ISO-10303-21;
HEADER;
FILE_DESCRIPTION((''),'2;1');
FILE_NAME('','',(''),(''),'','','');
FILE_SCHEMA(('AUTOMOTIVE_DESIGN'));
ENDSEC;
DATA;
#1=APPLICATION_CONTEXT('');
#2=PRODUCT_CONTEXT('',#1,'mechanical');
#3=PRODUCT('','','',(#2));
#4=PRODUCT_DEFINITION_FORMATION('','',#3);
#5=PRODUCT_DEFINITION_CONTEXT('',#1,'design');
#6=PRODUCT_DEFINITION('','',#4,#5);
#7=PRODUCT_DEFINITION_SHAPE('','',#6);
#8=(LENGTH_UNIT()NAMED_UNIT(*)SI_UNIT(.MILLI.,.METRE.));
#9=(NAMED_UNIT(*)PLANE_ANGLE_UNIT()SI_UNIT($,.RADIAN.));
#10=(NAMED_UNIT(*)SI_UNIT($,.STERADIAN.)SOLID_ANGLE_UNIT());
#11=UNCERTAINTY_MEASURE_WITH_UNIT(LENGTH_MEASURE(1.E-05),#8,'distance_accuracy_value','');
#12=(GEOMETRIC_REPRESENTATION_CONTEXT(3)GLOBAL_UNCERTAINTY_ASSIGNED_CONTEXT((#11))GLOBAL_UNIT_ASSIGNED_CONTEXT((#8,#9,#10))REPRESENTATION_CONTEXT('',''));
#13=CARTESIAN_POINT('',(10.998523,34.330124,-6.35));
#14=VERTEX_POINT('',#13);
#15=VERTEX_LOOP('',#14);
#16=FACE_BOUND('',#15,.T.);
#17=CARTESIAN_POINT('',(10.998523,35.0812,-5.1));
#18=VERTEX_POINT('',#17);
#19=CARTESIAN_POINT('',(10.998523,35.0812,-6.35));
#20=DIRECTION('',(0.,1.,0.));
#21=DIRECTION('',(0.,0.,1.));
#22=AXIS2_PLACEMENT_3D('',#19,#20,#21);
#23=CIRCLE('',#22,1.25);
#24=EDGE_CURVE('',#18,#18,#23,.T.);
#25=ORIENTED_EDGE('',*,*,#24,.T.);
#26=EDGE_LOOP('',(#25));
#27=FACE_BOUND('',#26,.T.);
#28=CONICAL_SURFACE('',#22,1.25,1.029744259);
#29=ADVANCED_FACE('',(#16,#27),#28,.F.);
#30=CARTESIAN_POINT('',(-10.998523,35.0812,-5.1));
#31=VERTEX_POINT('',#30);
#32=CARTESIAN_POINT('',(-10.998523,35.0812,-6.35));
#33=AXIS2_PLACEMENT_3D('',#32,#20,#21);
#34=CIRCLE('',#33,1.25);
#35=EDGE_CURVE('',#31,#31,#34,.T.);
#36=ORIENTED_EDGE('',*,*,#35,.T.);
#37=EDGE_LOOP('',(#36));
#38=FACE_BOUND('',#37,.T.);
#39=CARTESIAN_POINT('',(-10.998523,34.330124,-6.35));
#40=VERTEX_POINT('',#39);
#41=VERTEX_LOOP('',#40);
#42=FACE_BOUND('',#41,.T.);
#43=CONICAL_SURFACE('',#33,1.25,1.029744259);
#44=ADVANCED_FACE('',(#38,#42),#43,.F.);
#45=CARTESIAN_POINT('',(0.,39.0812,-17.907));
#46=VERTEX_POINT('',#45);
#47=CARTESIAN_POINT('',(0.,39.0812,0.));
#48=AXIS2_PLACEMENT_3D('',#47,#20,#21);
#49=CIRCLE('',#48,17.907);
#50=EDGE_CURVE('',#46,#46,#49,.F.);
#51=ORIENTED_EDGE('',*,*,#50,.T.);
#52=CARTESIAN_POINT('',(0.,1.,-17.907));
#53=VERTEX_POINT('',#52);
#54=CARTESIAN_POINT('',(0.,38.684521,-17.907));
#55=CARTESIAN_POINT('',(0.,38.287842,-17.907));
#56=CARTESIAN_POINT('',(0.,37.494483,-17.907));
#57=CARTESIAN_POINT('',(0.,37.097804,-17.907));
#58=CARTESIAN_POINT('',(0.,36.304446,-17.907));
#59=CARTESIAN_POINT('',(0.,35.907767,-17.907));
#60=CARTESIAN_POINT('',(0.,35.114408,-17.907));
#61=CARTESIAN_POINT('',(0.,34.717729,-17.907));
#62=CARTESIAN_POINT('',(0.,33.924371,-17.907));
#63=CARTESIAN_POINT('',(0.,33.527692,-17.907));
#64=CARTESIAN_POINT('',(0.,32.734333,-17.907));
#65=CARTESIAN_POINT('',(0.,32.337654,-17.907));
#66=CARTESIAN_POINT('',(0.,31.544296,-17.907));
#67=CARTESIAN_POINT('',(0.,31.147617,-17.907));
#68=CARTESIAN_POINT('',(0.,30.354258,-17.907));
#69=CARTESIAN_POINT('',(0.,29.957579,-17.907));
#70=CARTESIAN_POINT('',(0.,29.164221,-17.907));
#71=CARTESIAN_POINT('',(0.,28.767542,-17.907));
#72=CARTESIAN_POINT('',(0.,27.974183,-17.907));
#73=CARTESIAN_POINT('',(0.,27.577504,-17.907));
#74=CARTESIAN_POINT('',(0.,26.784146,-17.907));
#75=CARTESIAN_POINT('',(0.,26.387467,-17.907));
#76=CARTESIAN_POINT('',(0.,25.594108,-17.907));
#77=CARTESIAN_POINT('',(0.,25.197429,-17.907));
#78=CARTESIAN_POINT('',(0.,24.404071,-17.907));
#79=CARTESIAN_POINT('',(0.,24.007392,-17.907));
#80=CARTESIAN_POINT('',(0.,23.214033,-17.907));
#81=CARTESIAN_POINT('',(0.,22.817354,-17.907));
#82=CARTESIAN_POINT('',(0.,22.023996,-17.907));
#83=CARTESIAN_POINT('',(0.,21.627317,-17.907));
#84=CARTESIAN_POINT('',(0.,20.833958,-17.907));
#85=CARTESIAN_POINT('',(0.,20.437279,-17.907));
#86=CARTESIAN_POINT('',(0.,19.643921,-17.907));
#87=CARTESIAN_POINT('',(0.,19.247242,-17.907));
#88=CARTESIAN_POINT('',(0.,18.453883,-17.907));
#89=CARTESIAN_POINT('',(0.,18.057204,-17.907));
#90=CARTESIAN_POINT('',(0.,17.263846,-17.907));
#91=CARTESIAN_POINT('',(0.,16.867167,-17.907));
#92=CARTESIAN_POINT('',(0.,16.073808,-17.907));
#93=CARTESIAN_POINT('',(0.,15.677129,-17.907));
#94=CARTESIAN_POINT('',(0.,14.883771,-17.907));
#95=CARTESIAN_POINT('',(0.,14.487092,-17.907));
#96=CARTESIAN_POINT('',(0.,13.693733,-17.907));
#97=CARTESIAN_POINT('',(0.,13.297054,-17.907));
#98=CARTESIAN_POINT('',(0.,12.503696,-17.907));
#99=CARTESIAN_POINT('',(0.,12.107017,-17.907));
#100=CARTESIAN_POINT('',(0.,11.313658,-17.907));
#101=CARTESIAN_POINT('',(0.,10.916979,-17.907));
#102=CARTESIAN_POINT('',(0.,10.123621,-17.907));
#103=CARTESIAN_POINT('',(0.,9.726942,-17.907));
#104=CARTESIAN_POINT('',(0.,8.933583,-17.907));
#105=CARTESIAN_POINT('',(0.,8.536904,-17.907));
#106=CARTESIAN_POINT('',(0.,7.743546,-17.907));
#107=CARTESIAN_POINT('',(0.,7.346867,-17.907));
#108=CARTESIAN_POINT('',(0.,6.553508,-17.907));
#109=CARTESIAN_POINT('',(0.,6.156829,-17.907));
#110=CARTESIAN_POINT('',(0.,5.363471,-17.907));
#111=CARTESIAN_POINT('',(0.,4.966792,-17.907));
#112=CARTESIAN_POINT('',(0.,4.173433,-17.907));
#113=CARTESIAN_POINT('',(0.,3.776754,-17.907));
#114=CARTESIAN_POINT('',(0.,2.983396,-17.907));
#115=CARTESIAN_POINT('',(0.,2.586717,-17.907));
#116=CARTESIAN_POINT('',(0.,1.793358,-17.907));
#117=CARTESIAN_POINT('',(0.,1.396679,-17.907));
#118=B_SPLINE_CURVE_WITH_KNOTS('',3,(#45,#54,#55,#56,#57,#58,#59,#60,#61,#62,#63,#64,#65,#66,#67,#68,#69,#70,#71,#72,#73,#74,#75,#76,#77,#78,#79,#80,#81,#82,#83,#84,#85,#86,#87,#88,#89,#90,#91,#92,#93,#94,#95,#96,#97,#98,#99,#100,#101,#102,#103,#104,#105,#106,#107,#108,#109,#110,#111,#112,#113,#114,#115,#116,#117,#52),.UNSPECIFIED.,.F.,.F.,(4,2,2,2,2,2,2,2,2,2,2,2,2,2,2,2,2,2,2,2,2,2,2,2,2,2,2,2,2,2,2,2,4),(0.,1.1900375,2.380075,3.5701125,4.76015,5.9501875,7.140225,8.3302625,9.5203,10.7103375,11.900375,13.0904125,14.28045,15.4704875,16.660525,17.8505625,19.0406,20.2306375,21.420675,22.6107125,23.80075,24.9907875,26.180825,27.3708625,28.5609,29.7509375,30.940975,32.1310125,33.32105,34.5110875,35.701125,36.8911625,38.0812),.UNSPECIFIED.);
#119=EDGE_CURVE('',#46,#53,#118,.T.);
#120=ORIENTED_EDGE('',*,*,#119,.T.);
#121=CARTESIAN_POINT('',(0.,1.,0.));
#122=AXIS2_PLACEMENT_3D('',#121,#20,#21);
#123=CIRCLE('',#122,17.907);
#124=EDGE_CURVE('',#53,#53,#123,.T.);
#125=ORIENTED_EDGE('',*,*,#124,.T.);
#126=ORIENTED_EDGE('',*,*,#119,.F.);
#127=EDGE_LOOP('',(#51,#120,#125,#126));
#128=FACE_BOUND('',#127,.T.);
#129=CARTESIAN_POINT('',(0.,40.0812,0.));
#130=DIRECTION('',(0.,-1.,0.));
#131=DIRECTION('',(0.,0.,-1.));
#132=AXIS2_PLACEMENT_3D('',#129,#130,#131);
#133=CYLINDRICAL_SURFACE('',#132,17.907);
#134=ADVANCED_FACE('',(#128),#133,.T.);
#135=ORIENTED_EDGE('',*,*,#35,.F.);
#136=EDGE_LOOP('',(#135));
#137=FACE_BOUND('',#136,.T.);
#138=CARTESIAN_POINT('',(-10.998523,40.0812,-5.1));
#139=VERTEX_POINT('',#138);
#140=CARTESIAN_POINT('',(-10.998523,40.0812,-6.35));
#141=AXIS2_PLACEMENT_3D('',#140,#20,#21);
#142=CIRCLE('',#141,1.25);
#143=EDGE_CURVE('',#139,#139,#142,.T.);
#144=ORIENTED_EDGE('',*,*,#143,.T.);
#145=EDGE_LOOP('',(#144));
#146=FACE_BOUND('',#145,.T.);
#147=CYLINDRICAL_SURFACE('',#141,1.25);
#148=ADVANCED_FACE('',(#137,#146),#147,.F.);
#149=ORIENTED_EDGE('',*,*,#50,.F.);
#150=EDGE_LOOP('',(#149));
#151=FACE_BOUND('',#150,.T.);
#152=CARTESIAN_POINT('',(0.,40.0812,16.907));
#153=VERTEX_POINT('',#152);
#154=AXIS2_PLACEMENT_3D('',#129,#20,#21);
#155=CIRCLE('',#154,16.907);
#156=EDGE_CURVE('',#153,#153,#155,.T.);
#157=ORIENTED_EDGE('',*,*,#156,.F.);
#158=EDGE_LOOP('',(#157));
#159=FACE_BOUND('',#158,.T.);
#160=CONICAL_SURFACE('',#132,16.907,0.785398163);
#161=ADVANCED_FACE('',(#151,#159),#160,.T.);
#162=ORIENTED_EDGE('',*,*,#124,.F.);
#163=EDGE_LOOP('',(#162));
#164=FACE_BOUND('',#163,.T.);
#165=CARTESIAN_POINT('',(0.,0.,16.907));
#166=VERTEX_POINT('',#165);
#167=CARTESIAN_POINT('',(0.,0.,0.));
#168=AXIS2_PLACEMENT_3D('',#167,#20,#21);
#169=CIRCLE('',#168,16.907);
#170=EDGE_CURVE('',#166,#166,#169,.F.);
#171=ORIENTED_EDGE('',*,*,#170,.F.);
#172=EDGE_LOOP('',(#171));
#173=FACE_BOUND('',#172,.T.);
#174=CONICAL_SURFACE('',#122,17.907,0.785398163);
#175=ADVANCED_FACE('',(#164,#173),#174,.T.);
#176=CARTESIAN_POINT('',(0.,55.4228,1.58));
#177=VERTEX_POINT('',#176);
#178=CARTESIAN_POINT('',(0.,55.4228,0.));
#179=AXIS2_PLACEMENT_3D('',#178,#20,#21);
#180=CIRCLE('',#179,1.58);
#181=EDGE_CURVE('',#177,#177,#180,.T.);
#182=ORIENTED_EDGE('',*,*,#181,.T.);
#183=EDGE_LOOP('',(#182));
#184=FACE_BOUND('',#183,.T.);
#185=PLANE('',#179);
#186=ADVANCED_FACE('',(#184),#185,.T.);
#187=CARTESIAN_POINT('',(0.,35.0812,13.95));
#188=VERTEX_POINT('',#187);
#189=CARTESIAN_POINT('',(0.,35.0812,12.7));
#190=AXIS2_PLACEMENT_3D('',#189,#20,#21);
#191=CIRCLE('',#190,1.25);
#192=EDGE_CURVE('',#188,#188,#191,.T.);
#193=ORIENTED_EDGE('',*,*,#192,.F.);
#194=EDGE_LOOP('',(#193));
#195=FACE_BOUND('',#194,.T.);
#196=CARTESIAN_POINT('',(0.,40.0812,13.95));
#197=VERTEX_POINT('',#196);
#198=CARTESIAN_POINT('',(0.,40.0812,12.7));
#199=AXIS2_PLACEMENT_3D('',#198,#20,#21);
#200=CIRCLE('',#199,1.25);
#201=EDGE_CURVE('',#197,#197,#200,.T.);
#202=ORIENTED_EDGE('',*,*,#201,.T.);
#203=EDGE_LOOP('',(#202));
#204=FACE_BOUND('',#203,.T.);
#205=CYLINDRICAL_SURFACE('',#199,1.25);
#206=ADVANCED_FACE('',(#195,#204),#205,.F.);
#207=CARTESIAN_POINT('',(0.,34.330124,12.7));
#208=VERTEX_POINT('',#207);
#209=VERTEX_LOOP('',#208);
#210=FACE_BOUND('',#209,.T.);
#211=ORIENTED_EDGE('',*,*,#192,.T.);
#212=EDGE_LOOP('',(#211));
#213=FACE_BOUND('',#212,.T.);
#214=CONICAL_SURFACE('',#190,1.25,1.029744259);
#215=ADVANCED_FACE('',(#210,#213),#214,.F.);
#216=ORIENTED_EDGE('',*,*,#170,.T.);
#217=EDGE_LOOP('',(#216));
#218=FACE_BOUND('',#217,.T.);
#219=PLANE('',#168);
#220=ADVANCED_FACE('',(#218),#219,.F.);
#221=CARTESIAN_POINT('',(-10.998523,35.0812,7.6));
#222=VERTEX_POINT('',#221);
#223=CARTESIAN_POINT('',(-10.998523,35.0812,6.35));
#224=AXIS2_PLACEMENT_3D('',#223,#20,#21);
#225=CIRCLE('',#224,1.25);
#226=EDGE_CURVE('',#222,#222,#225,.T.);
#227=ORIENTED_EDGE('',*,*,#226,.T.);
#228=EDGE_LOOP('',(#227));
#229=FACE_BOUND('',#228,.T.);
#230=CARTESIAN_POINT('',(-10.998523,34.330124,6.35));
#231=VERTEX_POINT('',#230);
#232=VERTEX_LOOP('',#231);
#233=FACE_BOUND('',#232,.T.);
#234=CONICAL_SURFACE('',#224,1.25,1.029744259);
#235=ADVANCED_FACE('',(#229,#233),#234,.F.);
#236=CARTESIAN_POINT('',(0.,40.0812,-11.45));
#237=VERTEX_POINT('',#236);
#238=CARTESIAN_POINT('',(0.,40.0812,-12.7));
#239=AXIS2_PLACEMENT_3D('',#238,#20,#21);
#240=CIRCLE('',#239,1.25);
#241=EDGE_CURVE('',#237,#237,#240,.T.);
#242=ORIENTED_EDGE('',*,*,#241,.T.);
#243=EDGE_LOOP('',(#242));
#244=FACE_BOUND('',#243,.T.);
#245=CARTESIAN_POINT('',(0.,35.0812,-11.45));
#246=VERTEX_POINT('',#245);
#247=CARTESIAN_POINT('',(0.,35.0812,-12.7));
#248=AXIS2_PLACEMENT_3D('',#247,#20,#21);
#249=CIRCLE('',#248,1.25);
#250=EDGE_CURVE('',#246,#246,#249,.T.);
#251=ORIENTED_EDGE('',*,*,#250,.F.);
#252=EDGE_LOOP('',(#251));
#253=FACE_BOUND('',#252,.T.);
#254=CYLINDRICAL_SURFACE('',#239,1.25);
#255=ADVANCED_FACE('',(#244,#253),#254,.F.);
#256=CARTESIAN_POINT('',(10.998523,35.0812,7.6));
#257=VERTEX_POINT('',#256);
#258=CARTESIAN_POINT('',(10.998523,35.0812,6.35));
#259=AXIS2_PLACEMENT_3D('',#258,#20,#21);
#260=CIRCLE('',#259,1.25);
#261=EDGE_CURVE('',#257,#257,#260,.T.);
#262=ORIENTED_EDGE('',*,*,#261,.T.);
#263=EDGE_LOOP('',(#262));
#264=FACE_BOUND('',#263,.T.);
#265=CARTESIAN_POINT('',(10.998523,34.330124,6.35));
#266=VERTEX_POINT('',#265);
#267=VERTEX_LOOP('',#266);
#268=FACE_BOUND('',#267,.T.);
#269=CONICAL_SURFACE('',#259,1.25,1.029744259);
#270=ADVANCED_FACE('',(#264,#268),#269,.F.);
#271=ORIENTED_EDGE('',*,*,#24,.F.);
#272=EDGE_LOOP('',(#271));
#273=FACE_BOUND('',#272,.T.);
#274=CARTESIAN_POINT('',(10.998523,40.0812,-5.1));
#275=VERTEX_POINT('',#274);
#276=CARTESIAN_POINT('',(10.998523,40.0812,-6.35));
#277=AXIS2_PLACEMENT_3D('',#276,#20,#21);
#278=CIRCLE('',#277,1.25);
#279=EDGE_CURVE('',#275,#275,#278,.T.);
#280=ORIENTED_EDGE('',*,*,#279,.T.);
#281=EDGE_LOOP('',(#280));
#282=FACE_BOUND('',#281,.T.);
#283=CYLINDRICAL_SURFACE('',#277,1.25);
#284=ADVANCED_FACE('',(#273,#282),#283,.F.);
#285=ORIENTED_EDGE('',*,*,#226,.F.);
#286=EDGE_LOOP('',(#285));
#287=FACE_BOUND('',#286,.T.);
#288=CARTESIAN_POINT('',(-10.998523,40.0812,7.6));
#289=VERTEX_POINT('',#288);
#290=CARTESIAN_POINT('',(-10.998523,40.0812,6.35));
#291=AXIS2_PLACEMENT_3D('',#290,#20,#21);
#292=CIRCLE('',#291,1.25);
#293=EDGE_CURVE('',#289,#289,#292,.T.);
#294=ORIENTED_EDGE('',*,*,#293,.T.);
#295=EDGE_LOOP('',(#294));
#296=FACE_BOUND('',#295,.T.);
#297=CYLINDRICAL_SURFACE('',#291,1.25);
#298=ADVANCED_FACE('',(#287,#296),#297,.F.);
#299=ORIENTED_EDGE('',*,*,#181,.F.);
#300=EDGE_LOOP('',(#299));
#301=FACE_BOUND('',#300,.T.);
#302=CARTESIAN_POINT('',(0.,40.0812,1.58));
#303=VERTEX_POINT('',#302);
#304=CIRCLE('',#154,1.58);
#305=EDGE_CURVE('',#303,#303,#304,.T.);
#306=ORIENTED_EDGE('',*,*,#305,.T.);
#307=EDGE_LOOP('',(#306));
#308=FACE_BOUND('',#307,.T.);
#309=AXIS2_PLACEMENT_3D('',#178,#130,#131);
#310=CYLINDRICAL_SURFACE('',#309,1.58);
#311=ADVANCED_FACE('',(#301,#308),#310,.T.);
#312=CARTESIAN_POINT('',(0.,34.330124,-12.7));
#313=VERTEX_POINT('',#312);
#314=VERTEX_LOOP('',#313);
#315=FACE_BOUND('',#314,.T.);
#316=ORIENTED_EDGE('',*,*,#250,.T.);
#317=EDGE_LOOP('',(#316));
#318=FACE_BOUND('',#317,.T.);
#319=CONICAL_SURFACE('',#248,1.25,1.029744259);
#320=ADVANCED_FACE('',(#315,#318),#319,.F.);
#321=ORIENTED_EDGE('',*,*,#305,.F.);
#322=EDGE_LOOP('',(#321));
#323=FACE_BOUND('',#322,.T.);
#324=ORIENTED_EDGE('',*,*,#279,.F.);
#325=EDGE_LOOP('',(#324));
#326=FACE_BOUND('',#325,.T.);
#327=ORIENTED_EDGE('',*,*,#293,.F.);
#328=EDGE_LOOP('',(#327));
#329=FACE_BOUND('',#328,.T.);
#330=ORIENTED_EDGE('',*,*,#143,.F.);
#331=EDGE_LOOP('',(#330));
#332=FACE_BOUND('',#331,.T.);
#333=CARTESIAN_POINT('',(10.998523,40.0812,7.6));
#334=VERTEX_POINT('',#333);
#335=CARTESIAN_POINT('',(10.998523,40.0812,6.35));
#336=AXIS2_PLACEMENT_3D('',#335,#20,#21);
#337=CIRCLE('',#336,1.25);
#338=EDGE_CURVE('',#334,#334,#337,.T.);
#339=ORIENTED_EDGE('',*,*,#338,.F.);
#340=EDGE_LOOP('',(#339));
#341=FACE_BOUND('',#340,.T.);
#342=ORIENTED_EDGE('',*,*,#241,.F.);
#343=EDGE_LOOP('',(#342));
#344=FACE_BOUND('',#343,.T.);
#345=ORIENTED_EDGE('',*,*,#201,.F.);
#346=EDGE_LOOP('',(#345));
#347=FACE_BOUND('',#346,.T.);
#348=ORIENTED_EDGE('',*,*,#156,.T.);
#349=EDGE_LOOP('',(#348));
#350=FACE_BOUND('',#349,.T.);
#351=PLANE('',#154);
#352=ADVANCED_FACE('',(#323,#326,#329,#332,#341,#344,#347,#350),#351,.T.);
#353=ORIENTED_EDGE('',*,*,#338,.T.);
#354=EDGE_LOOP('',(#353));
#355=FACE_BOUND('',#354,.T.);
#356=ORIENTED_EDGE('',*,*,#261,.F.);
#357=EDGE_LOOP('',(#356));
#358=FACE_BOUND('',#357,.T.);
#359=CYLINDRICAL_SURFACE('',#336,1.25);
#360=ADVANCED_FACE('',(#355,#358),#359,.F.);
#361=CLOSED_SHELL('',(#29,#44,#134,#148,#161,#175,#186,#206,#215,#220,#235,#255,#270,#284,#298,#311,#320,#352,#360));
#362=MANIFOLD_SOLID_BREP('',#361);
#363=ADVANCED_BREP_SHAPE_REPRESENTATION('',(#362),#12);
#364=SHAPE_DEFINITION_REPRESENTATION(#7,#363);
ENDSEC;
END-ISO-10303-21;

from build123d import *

# Parameters (mm, degrees)
SKETCH1_R                           = 17.907
BOSS_EXTRUDE1_DEPTH                 = 40.0812
M3X0_5_BOTTOMING_TAPPED_HOLE1_D     = 2.5
M3X0_5_BOTTOMING_TAPPED_HOLE1_DEPTH = 5
M3X0_5_BOTTOMING_TAPPED_HOLE1_TIP   = 0.751075774
SKETCH4_R                           = 1.58
BOSS_EXTRUDE2_DEPTH                 = 15.3416
CHAMFER1_SIZE                       = 1


with BuildPart() as part:
    # Sketch1 → Boss-Extrude1 (new body)
    with BuildSketch(Plane(origin=(0, 0, 0), x_dir=(1, 0, 0), z_dir=(0, 1, 0))):
        with Locations(Location((0, 0, 0), (0, 0, 90))):
            Circle(SKETCH1_R)
    extrude(amount=BOSS_EXTRUDE1_DEPTH)

    # M3x0.5 Bottoming Tapped Hole1
    with Locations(Plane(origin=(0, 40.0812, 0), x_dir=(1, 0, 0), z_dir=(0, 1, 0))):
        with Locations((0, 12.7), (10.998522628, 6.35), (10.998522628, -6.35), (0, -12.7), (-10.998522628, -6.35), (-10.998522628, 6.35)):
            Hole(M3X0_5_BOTTOMING_TAPPED_HOLE1_D / 2, depth=M3X0_5_BOTTOMING_TAPPED_HOLE1_DEPTH)
            with Locations((0, 0, -(M3X0_5_BOTTOMING_TAPPED_HOLE1_DEPTH + M3X0_5_BOTTOMING_TAPPED_HOLE1_TIP / 2))):  # 118° drill point
                Cone(0, M3X0_5_BOTTOMING_TAPPED_HOLE1_D / 2, M3X0_5_BOTTOMING_TAPPED_HOLE1_TIP, mode=Mode.SUBTRACT)

    # Sketch4 → Boss-Extrude2 (add)
    with BuildSketch(Plane(origin=(0, 40.0812, 0), x_dir=(1, 0, 0), z_dir=(0, 1, 0))):
        with Locations(Location((0, 0, 0), (0, 0, 270))):
            Circle(SKETCH4_R)
    extrude(amount=BOSS_EXTRUDE2_DEPTH)

    # Chamfer1
    chamfer1_edges = [part.edges().sort_by_distance(p)[0] for p in [
        (0, 0, 17.907),
        (0, 40.0812, 17.907),
    ]]
    chamfer(chamfer1_edges, length=CHAMFER1_SIZE)


solid = part.part
